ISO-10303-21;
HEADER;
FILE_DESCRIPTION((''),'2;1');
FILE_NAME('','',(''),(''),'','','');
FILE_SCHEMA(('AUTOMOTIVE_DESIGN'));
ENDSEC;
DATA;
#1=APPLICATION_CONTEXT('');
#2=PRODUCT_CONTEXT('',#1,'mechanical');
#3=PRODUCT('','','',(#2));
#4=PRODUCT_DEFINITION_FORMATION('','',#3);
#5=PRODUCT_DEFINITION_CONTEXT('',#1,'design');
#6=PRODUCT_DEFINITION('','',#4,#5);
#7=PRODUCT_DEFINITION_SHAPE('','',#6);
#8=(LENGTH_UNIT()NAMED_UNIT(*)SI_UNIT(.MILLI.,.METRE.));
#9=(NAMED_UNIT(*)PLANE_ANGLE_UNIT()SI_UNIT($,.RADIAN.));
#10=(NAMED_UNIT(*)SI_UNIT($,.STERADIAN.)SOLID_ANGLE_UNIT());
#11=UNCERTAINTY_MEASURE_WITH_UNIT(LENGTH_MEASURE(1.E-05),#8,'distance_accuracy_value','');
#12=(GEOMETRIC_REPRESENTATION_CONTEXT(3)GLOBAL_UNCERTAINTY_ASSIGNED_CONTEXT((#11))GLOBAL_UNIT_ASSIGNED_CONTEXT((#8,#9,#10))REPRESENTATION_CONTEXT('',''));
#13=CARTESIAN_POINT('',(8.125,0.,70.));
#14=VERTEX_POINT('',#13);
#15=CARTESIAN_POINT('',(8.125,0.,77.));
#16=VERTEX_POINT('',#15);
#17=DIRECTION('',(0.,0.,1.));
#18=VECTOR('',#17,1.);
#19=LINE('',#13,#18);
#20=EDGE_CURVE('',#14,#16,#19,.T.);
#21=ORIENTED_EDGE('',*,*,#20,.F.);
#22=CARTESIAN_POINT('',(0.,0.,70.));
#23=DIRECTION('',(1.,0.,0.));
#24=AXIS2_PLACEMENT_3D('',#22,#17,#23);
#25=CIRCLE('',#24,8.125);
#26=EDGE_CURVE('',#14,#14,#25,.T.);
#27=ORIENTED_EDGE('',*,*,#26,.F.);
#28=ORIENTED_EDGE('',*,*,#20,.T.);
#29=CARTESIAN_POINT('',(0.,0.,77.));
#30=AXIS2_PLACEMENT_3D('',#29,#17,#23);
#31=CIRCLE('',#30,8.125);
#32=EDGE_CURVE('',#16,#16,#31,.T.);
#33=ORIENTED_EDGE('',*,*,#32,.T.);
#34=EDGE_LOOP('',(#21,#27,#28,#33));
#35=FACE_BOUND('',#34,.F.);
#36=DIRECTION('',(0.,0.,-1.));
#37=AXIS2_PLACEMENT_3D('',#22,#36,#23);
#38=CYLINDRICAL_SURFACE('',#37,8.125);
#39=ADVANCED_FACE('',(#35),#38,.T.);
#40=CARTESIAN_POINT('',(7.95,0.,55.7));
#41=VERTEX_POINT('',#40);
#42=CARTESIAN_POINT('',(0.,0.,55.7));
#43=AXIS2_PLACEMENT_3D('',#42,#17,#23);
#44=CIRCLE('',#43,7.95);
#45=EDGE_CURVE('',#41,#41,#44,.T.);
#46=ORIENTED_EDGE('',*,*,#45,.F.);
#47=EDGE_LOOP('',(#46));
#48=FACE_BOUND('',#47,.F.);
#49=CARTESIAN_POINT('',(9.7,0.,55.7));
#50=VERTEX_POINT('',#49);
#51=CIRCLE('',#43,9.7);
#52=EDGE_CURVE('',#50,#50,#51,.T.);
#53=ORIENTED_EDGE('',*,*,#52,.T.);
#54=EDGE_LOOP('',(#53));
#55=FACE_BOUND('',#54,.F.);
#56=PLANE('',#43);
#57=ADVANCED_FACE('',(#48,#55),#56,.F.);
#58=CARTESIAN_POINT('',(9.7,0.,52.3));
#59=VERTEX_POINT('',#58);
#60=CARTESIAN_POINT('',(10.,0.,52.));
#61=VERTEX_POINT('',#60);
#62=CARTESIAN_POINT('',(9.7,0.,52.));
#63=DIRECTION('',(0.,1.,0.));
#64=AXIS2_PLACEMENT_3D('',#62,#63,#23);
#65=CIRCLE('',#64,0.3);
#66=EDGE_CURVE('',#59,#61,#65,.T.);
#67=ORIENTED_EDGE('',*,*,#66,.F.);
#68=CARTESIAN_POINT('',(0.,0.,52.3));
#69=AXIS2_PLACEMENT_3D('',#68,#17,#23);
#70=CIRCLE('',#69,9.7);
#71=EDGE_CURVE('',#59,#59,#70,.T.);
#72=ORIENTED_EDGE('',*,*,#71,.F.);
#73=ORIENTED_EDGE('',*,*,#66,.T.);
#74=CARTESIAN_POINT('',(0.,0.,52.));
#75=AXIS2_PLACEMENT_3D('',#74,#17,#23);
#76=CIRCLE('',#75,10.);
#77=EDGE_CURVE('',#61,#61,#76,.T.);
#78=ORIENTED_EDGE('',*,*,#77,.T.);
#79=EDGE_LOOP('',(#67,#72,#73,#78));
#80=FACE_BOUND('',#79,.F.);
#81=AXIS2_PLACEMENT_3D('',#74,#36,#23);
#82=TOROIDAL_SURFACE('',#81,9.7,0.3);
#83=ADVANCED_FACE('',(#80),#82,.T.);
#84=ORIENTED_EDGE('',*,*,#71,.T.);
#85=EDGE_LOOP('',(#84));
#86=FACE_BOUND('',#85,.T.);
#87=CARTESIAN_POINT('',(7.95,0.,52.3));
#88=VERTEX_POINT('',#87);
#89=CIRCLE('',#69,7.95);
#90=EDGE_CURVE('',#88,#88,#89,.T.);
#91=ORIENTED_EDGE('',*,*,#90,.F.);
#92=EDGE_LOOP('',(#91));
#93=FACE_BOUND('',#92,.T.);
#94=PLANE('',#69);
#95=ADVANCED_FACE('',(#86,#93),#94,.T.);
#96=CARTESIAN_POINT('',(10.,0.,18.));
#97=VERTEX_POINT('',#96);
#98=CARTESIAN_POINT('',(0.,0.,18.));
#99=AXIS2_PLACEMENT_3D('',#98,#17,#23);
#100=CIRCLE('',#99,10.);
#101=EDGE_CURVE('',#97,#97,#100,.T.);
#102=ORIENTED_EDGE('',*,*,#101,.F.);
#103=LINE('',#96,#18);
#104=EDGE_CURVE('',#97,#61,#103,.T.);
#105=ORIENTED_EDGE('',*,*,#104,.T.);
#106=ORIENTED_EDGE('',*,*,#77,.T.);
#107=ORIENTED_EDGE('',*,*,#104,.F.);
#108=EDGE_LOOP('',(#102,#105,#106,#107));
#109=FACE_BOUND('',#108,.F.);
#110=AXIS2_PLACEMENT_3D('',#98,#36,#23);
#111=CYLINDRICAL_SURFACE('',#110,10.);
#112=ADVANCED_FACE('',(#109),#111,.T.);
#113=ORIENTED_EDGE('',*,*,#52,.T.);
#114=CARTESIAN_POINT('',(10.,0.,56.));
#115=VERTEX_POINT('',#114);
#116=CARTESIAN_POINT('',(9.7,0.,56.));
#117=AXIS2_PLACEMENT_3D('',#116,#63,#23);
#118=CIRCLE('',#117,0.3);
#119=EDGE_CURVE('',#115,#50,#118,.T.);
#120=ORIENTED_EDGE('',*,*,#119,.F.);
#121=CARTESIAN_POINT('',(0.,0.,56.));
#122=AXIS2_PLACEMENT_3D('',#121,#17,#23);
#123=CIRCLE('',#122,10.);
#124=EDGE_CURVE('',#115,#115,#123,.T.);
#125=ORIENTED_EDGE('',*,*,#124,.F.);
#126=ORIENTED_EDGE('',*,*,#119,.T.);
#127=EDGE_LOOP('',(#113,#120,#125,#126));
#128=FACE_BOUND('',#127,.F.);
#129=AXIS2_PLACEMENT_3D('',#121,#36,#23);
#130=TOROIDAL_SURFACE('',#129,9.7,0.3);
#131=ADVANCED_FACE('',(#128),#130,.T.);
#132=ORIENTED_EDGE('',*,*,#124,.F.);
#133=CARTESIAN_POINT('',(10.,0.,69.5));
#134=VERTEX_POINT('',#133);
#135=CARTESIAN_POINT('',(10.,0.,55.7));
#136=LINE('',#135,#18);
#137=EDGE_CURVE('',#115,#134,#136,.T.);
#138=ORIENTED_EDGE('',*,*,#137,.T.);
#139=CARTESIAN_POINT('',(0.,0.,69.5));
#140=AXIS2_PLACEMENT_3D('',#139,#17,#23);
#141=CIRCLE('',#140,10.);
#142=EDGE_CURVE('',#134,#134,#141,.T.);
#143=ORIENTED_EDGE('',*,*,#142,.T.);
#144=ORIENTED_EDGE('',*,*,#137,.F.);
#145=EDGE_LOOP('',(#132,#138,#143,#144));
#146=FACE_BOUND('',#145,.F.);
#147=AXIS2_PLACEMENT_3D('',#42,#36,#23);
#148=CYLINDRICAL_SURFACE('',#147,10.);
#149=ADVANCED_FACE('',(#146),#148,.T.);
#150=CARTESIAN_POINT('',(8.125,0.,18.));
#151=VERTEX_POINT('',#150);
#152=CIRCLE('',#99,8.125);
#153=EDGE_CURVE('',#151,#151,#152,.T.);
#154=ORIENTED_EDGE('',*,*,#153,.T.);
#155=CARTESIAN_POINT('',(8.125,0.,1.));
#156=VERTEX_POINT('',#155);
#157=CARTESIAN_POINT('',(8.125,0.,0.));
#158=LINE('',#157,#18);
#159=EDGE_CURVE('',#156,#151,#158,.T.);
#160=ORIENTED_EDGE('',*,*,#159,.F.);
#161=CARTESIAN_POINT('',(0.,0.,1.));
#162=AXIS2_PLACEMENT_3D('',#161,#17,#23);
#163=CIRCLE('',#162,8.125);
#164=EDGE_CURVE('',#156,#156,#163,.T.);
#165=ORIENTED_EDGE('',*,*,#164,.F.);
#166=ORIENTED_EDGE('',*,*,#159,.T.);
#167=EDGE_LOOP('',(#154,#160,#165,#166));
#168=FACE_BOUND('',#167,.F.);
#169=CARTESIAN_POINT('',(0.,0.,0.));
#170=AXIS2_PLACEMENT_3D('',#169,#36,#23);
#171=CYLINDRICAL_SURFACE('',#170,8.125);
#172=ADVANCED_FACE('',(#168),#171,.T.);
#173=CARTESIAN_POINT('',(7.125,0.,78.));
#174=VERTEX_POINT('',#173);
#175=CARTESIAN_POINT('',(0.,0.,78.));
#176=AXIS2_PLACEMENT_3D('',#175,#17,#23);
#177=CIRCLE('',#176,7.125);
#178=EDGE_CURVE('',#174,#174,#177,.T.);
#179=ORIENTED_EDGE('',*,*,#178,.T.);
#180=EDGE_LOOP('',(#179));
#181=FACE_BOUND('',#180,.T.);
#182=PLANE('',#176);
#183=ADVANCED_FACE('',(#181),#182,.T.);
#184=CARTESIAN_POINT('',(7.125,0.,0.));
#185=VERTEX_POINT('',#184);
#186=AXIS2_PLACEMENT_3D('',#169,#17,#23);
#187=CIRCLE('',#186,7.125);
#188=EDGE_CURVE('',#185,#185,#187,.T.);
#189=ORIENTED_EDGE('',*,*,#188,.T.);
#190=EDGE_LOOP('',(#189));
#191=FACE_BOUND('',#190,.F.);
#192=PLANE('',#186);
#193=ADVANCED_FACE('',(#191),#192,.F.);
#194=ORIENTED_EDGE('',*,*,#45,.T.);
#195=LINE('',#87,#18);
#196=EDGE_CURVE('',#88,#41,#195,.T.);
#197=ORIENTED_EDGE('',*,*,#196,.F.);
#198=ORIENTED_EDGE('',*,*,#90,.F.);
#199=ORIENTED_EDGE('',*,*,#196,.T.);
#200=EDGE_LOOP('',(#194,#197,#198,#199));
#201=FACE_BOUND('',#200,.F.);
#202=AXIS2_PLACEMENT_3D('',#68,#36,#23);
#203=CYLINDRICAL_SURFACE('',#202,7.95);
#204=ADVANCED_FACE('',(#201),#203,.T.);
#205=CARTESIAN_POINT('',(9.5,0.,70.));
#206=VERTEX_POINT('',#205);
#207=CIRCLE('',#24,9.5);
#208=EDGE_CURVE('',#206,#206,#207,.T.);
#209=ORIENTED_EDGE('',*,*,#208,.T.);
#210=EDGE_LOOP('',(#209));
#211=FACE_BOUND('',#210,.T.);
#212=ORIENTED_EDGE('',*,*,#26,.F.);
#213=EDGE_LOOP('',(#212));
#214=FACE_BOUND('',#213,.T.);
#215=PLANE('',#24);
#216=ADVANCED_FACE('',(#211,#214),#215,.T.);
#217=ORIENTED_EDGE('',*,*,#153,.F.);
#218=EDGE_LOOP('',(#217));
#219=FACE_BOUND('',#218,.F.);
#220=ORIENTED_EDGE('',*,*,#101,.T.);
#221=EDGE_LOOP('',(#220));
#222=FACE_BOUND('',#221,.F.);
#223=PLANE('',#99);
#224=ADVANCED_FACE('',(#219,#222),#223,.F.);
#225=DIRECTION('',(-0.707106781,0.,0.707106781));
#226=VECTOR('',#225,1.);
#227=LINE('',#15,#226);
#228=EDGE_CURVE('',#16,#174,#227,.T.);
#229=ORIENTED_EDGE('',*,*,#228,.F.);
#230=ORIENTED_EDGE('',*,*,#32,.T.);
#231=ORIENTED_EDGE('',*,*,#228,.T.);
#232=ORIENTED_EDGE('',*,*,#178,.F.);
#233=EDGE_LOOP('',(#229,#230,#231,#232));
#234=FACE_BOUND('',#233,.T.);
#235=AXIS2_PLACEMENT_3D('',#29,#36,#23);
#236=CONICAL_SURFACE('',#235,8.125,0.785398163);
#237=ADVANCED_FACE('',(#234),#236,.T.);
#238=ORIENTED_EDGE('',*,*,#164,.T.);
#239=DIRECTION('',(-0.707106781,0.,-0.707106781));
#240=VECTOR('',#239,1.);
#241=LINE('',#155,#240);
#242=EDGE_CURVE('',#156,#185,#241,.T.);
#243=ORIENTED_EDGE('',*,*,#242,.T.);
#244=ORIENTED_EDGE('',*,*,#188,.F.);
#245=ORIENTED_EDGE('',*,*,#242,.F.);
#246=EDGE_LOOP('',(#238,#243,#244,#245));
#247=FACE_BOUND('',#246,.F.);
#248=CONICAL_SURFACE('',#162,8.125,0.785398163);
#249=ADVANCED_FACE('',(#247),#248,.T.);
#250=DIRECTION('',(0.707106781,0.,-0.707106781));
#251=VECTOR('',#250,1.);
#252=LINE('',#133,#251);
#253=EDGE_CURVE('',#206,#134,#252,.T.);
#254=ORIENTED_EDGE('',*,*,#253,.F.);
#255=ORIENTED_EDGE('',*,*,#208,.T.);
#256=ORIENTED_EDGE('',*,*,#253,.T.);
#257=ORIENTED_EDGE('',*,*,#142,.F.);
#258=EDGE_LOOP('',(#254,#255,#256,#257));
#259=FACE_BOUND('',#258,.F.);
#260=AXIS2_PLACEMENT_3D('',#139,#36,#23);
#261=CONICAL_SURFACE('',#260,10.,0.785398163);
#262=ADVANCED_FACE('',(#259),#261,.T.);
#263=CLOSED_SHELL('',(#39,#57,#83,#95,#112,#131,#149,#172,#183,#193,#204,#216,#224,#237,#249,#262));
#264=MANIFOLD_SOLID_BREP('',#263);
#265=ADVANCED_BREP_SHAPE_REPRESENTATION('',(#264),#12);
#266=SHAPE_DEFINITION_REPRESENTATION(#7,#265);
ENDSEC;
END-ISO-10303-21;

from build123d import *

# Parameters (mm, degrees)
F0_R      = 8.125
F1_DEPTH  = 18
F2_SIZE   = 1
F3_R      = 10
F4_DEPTH  = 34.3
F5_R      = 7.95
F6_DEPTH  = 3.4
F8_R      = 10
F9_DEPTH  = 14.3
F10_R     = 8.125
F11_DEPTH = 8
F12_SIZE  = 1
F13_SIZE  = 0.5
F14_R     = 0.3


with BuildPart() as f1:
    # F0 (on Top) → F1 (new body)
    with BuildSketch(Plane.XY):
        Circle(F0_R)
    extrude(amount=F1_DEPTH)

    # F2
    f2_edges = [f1.edges().sort_by_distance(p)[0] for p in [
        (-8.125, 0, 0),
    ]]
    chamfer(f2_edges, length=F2_SIZE)

    # F3 (on face) → F4 (join)
    with BuildSketch(Plane.XY.offset(18)):
        Circle(F3_R)
    extrude(amount=F4_DEPTH)

    # F5 (on face) → F6 (join)
    with BuildSketch(Plane.XY.offset(52.3)):
        Circle(F5_R)
    extrude(amount=F6_DEPTH)

    # F8 (on face) → F9 (join)
    with BuildSketch(Plane.XY.offset(55.7)):
        Circle(F8_R)
    extrude(amount=F9_DEPTH)

    # F10 (on face) → F11 (join)
    with BuildSketch(Plane.XY.offset(70)):
        Circle(F10_R)
    extrude(amount=F11_DEPTH)

    # F12
    f12_edges = [f1.edges().sort_by_distance(p)[0] for p in [
        (-8.125, 0, 78),
    ]]
    chamfer(f12_edges, length=F12_SIZE)

    # F13
    f13_edges = [f1.edges().sort_by_distance(p)[0] for p in [
        (-10, 0, 70),
    ]]
    chamfer(f13_edges, length=F13_SIZE)

    # F14
    f14_edges = [f1.edges().sort_by_distance(p)[0] for p in [
        (-10, 0, 55.7),
        (-10, 0, 52.3),
    ]]
    fillet(f14_edges, radius=F14_R)


solid = f1.part
